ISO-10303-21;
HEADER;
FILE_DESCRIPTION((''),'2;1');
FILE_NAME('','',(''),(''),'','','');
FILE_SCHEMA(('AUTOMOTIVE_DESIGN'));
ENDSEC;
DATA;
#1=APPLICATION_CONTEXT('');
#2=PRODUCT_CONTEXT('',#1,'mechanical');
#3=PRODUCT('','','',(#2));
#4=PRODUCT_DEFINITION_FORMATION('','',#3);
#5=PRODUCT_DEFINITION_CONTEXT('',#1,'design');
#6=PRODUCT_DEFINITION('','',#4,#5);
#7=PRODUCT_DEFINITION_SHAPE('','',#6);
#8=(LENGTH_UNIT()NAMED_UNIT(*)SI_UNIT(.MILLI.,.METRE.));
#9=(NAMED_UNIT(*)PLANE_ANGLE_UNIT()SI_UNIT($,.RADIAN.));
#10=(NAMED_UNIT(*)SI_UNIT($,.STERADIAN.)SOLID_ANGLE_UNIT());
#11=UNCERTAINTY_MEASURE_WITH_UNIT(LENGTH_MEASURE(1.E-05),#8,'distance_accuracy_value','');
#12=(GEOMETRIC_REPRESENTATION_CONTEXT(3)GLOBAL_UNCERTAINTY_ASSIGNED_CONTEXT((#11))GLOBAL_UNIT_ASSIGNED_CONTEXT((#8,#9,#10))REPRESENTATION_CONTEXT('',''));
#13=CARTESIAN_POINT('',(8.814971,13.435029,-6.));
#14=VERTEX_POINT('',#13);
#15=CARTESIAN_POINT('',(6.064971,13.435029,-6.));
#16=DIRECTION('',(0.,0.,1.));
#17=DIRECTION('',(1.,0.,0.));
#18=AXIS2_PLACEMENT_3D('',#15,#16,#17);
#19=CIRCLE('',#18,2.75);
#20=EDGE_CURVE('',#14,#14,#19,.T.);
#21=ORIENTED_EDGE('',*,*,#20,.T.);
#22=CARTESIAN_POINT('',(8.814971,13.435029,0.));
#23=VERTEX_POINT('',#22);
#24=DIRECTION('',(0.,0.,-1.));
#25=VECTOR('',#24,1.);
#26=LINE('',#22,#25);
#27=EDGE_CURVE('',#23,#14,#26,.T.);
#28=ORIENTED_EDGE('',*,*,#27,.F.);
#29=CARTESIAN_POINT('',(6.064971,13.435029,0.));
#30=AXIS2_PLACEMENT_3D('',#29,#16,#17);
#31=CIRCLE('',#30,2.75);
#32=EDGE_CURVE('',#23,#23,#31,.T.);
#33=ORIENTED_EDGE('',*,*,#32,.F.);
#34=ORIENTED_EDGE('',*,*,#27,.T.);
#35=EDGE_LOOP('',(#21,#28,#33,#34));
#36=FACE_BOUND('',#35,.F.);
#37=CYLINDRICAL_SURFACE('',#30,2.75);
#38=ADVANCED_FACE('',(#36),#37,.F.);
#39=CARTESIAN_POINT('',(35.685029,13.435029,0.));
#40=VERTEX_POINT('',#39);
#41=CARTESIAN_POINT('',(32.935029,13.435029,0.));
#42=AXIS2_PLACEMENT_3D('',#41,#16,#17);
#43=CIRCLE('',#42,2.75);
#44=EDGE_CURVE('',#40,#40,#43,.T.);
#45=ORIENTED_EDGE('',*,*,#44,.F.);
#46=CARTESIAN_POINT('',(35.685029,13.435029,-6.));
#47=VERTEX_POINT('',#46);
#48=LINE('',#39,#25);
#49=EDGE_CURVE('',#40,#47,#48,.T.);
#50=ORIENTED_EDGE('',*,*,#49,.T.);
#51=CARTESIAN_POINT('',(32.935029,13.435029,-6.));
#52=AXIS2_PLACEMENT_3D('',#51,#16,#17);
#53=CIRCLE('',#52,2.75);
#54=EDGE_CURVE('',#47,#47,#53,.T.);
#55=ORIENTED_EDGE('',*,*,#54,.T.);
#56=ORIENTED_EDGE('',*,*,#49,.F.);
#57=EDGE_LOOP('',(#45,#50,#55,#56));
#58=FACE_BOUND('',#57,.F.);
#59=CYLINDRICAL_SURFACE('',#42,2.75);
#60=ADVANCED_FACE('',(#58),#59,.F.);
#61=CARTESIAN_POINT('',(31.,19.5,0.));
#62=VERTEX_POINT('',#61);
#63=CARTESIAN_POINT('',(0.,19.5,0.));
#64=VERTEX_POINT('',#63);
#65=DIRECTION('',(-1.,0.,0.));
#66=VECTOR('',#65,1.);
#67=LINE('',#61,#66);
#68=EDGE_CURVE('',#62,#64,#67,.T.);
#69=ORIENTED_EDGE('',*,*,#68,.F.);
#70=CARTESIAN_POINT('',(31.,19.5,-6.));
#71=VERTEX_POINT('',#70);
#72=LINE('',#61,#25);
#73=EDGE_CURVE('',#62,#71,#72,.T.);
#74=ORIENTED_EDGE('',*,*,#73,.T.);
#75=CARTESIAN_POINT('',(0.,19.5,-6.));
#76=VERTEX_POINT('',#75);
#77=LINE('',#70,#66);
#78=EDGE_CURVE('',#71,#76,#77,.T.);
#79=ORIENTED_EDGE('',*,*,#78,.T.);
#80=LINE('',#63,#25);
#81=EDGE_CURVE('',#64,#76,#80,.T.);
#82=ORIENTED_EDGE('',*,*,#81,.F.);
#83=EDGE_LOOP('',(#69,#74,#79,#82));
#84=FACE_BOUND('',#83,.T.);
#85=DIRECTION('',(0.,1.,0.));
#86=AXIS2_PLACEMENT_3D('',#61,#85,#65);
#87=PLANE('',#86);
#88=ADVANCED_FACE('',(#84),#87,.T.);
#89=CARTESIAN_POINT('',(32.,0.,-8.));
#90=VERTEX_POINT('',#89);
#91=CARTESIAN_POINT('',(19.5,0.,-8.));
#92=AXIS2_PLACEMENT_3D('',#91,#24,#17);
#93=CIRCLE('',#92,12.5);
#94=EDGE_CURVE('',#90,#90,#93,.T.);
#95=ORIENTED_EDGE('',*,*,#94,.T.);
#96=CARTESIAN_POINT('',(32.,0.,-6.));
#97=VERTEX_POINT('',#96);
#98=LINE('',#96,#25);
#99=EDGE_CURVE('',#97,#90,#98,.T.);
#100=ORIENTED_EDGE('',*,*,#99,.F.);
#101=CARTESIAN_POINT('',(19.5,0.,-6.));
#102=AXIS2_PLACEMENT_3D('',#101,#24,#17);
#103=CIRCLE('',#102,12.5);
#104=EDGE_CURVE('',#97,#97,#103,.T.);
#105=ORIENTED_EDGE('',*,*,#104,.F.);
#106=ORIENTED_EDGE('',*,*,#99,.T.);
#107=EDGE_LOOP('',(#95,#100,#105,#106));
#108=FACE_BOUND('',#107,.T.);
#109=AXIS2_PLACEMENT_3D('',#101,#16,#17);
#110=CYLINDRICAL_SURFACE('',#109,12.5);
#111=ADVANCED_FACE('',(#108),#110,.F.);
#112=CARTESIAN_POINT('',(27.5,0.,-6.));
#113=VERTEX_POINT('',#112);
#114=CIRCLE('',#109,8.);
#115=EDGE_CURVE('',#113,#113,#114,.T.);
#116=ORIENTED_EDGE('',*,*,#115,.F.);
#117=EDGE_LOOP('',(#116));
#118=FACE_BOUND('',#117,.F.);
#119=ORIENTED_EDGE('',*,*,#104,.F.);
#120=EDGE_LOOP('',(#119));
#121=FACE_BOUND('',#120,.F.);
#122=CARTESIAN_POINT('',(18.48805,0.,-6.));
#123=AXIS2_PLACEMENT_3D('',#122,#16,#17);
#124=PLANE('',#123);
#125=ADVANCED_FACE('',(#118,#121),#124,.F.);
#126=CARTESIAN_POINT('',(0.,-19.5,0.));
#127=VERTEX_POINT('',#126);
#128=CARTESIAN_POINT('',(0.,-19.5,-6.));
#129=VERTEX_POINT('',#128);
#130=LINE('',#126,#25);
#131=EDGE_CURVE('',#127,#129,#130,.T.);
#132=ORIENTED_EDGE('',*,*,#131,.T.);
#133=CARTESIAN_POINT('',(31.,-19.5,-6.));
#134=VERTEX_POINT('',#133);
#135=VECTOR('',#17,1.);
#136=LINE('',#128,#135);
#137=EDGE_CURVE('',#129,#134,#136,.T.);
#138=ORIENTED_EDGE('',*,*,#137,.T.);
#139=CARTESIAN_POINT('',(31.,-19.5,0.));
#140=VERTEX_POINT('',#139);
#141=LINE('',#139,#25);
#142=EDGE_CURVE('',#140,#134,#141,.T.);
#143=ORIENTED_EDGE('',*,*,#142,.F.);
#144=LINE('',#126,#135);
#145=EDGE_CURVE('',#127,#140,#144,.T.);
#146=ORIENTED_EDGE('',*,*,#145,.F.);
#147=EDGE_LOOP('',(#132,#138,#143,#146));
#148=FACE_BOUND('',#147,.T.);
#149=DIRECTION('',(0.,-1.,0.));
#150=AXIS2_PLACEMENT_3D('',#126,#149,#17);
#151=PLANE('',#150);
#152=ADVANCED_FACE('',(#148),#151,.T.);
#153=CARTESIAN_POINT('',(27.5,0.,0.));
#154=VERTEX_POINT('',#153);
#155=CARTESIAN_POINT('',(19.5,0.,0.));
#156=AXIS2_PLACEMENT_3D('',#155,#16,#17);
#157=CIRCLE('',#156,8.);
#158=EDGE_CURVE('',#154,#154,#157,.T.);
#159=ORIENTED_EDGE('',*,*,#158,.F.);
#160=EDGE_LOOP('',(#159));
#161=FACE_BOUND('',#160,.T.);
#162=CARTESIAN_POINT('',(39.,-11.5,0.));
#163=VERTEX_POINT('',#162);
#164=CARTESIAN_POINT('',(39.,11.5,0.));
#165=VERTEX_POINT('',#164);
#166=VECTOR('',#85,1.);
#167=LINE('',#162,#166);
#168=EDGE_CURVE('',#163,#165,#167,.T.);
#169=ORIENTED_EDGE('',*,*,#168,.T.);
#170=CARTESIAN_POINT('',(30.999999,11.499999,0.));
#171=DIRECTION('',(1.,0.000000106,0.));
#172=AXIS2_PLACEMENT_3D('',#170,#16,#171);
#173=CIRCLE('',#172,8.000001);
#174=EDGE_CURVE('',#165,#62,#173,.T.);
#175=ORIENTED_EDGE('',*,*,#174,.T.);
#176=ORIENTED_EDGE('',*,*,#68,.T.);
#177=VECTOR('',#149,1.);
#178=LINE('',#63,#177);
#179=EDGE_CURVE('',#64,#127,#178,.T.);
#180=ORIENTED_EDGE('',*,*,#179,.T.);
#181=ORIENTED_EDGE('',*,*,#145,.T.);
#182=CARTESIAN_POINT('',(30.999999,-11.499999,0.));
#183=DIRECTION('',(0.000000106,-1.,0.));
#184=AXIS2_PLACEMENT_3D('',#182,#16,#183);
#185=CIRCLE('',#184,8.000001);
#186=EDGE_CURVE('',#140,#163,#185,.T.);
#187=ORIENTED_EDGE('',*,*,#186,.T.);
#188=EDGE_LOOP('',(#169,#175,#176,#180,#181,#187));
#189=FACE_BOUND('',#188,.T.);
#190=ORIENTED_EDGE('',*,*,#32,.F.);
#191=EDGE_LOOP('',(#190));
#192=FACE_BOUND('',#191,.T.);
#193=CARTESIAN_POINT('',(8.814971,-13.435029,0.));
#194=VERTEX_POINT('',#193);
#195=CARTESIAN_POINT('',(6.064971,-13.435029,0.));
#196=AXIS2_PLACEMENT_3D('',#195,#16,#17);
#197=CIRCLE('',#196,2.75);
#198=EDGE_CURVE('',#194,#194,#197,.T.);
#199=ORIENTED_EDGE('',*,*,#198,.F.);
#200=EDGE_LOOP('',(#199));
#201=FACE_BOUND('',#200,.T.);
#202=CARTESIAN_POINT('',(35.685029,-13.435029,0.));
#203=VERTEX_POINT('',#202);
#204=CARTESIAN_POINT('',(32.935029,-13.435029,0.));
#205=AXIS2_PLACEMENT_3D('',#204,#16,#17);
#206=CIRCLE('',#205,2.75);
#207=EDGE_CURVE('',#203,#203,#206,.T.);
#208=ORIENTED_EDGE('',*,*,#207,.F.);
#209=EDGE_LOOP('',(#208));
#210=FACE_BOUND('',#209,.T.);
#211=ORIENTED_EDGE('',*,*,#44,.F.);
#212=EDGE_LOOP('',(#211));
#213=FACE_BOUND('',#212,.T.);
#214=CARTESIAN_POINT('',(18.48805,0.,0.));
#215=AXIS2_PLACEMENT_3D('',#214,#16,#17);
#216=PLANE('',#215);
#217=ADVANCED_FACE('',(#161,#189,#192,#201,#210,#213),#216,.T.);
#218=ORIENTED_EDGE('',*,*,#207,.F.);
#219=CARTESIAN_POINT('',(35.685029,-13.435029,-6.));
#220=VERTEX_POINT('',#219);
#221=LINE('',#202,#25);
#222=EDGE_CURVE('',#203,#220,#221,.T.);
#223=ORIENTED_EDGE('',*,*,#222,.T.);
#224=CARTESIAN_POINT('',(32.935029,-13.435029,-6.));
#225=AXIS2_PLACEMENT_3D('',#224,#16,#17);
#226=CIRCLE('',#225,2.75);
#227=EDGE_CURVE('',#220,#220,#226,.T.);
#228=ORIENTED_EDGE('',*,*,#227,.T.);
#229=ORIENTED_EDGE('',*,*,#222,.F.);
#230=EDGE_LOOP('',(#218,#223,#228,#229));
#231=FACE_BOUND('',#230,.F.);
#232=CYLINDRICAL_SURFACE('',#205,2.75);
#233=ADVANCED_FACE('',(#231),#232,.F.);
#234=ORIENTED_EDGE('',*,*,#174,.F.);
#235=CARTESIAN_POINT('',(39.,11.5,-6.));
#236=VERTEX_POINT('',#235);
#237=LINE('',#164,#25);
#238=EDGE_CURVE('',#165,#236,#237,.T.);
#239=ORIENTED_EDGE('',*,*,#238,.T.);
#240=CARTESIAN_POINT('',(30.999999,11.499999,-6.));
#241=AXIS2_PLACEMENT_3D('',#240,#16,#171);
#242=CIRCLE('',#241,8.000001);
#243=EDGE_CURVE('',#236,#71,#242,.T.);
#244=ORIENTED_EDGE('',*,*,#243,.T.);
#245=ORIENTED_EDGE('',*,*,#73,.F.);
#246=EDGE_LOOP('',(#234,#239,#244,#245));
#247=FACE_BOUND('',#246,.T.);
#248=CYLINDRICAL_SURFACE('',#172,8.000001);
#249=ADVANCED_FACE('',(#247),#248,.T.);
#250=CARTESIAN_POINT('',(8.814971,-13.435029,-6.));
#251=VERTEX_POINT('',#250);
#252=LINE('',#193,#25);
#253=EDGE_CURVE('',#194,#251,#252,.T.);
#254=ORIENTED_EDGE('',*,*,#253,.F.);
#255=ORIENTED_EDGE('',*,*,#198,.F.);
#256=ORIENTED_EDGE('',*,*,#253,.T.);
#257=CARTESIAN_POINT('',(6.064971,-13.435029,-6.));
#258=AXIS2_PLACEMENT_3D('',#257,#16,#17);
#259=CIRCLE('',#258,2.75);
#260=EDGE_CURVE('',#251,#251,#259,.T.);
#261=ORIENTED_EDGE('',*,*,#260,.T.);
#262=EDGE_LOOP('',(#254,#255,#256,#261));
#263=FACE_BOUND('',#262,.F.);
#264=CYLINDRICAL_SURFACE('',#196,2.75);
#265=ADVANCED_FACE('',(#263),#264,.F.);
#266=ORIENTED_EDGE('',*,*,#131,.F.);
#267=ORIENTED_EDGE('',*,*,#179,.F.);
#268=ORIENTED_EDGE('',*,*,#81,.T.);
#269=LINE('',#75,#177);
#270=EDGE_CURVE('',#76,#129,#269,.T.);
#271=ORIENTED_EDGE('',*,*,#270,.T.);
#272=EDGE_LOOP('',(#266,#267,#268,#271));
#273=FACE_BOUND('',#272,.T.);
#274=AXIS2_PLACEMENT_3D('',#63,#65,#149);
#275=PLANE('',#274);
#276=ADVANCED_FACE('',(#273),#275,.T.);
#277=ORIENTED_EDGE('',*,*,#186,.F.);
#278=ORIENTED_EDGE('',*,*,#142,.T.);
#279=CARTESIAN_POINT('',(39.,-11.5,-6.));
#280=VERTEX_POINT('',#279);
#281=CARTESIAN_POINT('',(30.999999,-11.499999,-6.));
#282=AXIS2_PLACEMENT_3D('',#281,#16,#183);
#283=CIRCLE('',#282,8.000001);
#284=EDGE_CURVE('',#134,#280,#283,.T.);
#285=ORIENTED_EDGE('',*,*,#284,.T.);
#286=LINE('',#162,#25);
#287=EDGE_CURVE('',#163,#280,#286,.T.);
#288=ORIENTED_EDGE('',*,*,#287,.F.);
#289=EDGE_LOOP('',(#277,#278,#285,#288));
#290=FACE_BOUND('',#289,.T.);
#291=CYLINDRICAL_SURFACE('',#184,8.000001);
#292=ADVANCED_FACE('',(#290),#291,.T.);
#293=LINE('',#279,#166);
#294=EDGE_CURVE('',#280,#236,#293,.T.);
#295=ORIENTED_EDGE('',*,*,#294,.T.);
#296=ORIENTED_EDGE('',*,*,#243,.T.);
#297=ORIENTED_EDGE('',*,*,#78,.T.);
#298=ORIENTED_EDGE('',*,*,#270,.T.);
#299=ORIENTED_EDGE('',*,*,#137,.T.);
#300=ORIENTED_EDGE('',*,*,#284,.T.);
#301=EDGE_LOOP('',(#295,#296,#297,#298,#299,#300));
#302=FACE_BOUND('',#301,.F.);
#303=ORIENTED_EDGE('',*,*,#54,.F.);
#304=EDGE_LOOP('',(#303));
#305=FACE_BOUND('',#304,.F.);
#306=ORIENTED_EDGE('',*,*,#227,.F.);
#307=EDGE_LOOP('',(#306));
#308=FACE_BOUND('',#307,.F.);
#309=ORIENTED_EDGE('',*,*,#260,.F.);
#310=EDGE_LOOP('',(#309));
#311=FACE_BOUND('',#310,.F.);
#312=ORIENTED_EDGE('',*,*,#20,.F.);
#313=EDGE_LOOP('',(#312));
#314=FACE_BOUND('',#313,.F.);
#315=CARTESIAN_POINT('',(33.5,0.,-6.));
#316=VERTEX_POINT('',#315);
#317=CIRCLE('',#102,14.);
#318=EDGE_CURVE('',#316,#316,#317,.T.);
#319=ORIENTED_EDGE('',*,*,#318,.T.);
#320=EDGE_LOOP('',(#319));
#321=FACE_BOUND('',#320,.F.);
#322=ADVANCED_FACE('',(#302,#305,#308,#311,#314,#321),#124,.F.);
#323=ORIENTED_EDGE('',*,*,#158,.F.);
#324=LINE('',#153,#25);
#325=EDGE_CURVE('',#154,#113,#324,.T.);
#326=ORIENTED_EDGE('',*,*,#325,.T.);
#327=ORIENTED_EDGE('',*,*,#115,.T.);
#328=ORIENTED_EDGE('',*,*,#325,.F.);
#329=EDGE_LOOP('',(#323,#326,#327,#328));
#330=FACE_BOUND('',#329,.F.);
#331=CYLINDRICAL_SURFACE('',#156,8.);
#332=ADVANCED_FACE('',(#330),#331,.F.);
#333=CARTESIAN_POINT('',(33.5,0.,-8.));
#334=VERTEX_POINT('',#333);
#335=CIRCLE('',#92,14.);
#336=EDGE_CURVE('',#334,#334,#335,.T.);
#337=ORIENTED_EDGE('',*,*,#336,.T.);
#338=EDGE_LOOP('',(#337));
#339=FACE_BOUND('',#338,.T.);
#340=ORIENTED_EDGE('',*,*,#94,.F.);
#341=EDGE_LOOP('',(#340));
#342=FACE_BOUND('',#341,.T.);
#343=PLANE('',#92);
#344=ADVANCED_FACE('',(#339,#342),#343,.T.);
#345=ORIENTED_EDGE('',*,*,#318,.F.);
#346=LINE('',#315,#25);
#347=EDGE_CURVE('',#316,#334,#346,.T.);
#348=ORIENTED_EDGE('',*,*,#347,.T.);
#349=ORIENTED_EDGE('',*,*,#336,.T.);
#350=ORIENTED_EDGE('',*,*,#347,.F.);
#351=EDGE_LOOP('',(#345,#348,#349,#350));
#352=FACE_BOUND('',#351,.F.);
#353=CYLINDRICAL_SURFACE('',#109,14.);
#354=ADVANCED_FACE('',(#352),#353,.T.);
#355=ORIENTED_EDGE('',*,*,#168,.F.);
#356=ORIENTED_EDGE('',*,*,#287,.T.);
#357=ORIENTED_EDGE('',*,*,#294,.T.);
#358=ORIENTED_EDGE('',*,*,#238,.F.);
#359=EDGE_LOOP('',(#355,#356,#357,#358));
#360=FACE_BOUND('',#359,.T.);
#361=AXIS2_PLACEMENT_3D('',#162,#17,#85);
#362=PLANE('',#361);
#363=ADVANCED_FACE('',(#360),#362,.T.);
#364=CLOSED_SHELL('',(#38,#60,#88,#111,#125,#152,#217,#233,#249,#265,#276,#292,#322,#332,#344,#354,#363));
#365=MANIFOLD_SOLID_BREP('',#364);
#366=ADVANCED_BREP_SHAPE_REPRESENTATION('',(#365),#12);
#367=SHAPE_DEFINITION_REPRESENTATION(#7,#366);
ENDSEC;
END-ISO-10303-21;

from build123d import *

# Parameters (mm, degrees)
F0_R     = 2.75
F0_R_2   = 8
F1_DEPTH = 6
F2_R     = 14
F2_R_2   = 12.5
F3_DEPTH = 2


with BuildPart() as f1:
    # F0 (on Top) → F1 (new body)
    with BuildSketch(Plane.XY):
        with BuildLine():
            Line((0, 19.5), (0, 0))
            Line((0, 0), (0, -19.5))
            Line((0, -19.5), (31, -19.5))
            ThreePointArc((31, -19.5), (36.656854, -17.156854), (39, -11.5))
            Line((39, -11.5), (39, 11.5))
            ThreePointArc((39, 11.5), (36.656854, 17.156854), (31, 19.5))
            Line((31, 19.5), (0, 19.5))
        make_face()
        with Locations((6.064971, -13.435029)):
            Circle(F0_R, mode=Mode.SUBTRACT)
        with Locations((32.935029, -13.435029)):
            Circle(F0_R, mode=Mode.SUBTRACT)
        with Locations((6.064971, 13.435029)):
            Circle(F0_R, mode=Mode.SUBTRACT)
        with Locations((19.5, 0)):
            Circle(F0_R_2, mode=Mode.SUBTRACT)
        with Locations((32.935029, 13.435029)):
            Circle(F0_R, mode=Mode.SUBTRACT)
    extrude(amount=-F1_DEPTH)

    # F2 (on face) → F3 (join)
    with BuildSketch(Plane(origin=(0, 0, -6), x_dir=(1, 0, 0), z_dir=(0, 0, -1))):
        with Locations((19.5, 0)):
            Circle(F2_R)
        with Locations((19.5, 0)):
            Circle(F2_R_2, mode=Mode.SUBTRACT)
    extrude(amount=F3_DEPTH)


solid = f1.part
